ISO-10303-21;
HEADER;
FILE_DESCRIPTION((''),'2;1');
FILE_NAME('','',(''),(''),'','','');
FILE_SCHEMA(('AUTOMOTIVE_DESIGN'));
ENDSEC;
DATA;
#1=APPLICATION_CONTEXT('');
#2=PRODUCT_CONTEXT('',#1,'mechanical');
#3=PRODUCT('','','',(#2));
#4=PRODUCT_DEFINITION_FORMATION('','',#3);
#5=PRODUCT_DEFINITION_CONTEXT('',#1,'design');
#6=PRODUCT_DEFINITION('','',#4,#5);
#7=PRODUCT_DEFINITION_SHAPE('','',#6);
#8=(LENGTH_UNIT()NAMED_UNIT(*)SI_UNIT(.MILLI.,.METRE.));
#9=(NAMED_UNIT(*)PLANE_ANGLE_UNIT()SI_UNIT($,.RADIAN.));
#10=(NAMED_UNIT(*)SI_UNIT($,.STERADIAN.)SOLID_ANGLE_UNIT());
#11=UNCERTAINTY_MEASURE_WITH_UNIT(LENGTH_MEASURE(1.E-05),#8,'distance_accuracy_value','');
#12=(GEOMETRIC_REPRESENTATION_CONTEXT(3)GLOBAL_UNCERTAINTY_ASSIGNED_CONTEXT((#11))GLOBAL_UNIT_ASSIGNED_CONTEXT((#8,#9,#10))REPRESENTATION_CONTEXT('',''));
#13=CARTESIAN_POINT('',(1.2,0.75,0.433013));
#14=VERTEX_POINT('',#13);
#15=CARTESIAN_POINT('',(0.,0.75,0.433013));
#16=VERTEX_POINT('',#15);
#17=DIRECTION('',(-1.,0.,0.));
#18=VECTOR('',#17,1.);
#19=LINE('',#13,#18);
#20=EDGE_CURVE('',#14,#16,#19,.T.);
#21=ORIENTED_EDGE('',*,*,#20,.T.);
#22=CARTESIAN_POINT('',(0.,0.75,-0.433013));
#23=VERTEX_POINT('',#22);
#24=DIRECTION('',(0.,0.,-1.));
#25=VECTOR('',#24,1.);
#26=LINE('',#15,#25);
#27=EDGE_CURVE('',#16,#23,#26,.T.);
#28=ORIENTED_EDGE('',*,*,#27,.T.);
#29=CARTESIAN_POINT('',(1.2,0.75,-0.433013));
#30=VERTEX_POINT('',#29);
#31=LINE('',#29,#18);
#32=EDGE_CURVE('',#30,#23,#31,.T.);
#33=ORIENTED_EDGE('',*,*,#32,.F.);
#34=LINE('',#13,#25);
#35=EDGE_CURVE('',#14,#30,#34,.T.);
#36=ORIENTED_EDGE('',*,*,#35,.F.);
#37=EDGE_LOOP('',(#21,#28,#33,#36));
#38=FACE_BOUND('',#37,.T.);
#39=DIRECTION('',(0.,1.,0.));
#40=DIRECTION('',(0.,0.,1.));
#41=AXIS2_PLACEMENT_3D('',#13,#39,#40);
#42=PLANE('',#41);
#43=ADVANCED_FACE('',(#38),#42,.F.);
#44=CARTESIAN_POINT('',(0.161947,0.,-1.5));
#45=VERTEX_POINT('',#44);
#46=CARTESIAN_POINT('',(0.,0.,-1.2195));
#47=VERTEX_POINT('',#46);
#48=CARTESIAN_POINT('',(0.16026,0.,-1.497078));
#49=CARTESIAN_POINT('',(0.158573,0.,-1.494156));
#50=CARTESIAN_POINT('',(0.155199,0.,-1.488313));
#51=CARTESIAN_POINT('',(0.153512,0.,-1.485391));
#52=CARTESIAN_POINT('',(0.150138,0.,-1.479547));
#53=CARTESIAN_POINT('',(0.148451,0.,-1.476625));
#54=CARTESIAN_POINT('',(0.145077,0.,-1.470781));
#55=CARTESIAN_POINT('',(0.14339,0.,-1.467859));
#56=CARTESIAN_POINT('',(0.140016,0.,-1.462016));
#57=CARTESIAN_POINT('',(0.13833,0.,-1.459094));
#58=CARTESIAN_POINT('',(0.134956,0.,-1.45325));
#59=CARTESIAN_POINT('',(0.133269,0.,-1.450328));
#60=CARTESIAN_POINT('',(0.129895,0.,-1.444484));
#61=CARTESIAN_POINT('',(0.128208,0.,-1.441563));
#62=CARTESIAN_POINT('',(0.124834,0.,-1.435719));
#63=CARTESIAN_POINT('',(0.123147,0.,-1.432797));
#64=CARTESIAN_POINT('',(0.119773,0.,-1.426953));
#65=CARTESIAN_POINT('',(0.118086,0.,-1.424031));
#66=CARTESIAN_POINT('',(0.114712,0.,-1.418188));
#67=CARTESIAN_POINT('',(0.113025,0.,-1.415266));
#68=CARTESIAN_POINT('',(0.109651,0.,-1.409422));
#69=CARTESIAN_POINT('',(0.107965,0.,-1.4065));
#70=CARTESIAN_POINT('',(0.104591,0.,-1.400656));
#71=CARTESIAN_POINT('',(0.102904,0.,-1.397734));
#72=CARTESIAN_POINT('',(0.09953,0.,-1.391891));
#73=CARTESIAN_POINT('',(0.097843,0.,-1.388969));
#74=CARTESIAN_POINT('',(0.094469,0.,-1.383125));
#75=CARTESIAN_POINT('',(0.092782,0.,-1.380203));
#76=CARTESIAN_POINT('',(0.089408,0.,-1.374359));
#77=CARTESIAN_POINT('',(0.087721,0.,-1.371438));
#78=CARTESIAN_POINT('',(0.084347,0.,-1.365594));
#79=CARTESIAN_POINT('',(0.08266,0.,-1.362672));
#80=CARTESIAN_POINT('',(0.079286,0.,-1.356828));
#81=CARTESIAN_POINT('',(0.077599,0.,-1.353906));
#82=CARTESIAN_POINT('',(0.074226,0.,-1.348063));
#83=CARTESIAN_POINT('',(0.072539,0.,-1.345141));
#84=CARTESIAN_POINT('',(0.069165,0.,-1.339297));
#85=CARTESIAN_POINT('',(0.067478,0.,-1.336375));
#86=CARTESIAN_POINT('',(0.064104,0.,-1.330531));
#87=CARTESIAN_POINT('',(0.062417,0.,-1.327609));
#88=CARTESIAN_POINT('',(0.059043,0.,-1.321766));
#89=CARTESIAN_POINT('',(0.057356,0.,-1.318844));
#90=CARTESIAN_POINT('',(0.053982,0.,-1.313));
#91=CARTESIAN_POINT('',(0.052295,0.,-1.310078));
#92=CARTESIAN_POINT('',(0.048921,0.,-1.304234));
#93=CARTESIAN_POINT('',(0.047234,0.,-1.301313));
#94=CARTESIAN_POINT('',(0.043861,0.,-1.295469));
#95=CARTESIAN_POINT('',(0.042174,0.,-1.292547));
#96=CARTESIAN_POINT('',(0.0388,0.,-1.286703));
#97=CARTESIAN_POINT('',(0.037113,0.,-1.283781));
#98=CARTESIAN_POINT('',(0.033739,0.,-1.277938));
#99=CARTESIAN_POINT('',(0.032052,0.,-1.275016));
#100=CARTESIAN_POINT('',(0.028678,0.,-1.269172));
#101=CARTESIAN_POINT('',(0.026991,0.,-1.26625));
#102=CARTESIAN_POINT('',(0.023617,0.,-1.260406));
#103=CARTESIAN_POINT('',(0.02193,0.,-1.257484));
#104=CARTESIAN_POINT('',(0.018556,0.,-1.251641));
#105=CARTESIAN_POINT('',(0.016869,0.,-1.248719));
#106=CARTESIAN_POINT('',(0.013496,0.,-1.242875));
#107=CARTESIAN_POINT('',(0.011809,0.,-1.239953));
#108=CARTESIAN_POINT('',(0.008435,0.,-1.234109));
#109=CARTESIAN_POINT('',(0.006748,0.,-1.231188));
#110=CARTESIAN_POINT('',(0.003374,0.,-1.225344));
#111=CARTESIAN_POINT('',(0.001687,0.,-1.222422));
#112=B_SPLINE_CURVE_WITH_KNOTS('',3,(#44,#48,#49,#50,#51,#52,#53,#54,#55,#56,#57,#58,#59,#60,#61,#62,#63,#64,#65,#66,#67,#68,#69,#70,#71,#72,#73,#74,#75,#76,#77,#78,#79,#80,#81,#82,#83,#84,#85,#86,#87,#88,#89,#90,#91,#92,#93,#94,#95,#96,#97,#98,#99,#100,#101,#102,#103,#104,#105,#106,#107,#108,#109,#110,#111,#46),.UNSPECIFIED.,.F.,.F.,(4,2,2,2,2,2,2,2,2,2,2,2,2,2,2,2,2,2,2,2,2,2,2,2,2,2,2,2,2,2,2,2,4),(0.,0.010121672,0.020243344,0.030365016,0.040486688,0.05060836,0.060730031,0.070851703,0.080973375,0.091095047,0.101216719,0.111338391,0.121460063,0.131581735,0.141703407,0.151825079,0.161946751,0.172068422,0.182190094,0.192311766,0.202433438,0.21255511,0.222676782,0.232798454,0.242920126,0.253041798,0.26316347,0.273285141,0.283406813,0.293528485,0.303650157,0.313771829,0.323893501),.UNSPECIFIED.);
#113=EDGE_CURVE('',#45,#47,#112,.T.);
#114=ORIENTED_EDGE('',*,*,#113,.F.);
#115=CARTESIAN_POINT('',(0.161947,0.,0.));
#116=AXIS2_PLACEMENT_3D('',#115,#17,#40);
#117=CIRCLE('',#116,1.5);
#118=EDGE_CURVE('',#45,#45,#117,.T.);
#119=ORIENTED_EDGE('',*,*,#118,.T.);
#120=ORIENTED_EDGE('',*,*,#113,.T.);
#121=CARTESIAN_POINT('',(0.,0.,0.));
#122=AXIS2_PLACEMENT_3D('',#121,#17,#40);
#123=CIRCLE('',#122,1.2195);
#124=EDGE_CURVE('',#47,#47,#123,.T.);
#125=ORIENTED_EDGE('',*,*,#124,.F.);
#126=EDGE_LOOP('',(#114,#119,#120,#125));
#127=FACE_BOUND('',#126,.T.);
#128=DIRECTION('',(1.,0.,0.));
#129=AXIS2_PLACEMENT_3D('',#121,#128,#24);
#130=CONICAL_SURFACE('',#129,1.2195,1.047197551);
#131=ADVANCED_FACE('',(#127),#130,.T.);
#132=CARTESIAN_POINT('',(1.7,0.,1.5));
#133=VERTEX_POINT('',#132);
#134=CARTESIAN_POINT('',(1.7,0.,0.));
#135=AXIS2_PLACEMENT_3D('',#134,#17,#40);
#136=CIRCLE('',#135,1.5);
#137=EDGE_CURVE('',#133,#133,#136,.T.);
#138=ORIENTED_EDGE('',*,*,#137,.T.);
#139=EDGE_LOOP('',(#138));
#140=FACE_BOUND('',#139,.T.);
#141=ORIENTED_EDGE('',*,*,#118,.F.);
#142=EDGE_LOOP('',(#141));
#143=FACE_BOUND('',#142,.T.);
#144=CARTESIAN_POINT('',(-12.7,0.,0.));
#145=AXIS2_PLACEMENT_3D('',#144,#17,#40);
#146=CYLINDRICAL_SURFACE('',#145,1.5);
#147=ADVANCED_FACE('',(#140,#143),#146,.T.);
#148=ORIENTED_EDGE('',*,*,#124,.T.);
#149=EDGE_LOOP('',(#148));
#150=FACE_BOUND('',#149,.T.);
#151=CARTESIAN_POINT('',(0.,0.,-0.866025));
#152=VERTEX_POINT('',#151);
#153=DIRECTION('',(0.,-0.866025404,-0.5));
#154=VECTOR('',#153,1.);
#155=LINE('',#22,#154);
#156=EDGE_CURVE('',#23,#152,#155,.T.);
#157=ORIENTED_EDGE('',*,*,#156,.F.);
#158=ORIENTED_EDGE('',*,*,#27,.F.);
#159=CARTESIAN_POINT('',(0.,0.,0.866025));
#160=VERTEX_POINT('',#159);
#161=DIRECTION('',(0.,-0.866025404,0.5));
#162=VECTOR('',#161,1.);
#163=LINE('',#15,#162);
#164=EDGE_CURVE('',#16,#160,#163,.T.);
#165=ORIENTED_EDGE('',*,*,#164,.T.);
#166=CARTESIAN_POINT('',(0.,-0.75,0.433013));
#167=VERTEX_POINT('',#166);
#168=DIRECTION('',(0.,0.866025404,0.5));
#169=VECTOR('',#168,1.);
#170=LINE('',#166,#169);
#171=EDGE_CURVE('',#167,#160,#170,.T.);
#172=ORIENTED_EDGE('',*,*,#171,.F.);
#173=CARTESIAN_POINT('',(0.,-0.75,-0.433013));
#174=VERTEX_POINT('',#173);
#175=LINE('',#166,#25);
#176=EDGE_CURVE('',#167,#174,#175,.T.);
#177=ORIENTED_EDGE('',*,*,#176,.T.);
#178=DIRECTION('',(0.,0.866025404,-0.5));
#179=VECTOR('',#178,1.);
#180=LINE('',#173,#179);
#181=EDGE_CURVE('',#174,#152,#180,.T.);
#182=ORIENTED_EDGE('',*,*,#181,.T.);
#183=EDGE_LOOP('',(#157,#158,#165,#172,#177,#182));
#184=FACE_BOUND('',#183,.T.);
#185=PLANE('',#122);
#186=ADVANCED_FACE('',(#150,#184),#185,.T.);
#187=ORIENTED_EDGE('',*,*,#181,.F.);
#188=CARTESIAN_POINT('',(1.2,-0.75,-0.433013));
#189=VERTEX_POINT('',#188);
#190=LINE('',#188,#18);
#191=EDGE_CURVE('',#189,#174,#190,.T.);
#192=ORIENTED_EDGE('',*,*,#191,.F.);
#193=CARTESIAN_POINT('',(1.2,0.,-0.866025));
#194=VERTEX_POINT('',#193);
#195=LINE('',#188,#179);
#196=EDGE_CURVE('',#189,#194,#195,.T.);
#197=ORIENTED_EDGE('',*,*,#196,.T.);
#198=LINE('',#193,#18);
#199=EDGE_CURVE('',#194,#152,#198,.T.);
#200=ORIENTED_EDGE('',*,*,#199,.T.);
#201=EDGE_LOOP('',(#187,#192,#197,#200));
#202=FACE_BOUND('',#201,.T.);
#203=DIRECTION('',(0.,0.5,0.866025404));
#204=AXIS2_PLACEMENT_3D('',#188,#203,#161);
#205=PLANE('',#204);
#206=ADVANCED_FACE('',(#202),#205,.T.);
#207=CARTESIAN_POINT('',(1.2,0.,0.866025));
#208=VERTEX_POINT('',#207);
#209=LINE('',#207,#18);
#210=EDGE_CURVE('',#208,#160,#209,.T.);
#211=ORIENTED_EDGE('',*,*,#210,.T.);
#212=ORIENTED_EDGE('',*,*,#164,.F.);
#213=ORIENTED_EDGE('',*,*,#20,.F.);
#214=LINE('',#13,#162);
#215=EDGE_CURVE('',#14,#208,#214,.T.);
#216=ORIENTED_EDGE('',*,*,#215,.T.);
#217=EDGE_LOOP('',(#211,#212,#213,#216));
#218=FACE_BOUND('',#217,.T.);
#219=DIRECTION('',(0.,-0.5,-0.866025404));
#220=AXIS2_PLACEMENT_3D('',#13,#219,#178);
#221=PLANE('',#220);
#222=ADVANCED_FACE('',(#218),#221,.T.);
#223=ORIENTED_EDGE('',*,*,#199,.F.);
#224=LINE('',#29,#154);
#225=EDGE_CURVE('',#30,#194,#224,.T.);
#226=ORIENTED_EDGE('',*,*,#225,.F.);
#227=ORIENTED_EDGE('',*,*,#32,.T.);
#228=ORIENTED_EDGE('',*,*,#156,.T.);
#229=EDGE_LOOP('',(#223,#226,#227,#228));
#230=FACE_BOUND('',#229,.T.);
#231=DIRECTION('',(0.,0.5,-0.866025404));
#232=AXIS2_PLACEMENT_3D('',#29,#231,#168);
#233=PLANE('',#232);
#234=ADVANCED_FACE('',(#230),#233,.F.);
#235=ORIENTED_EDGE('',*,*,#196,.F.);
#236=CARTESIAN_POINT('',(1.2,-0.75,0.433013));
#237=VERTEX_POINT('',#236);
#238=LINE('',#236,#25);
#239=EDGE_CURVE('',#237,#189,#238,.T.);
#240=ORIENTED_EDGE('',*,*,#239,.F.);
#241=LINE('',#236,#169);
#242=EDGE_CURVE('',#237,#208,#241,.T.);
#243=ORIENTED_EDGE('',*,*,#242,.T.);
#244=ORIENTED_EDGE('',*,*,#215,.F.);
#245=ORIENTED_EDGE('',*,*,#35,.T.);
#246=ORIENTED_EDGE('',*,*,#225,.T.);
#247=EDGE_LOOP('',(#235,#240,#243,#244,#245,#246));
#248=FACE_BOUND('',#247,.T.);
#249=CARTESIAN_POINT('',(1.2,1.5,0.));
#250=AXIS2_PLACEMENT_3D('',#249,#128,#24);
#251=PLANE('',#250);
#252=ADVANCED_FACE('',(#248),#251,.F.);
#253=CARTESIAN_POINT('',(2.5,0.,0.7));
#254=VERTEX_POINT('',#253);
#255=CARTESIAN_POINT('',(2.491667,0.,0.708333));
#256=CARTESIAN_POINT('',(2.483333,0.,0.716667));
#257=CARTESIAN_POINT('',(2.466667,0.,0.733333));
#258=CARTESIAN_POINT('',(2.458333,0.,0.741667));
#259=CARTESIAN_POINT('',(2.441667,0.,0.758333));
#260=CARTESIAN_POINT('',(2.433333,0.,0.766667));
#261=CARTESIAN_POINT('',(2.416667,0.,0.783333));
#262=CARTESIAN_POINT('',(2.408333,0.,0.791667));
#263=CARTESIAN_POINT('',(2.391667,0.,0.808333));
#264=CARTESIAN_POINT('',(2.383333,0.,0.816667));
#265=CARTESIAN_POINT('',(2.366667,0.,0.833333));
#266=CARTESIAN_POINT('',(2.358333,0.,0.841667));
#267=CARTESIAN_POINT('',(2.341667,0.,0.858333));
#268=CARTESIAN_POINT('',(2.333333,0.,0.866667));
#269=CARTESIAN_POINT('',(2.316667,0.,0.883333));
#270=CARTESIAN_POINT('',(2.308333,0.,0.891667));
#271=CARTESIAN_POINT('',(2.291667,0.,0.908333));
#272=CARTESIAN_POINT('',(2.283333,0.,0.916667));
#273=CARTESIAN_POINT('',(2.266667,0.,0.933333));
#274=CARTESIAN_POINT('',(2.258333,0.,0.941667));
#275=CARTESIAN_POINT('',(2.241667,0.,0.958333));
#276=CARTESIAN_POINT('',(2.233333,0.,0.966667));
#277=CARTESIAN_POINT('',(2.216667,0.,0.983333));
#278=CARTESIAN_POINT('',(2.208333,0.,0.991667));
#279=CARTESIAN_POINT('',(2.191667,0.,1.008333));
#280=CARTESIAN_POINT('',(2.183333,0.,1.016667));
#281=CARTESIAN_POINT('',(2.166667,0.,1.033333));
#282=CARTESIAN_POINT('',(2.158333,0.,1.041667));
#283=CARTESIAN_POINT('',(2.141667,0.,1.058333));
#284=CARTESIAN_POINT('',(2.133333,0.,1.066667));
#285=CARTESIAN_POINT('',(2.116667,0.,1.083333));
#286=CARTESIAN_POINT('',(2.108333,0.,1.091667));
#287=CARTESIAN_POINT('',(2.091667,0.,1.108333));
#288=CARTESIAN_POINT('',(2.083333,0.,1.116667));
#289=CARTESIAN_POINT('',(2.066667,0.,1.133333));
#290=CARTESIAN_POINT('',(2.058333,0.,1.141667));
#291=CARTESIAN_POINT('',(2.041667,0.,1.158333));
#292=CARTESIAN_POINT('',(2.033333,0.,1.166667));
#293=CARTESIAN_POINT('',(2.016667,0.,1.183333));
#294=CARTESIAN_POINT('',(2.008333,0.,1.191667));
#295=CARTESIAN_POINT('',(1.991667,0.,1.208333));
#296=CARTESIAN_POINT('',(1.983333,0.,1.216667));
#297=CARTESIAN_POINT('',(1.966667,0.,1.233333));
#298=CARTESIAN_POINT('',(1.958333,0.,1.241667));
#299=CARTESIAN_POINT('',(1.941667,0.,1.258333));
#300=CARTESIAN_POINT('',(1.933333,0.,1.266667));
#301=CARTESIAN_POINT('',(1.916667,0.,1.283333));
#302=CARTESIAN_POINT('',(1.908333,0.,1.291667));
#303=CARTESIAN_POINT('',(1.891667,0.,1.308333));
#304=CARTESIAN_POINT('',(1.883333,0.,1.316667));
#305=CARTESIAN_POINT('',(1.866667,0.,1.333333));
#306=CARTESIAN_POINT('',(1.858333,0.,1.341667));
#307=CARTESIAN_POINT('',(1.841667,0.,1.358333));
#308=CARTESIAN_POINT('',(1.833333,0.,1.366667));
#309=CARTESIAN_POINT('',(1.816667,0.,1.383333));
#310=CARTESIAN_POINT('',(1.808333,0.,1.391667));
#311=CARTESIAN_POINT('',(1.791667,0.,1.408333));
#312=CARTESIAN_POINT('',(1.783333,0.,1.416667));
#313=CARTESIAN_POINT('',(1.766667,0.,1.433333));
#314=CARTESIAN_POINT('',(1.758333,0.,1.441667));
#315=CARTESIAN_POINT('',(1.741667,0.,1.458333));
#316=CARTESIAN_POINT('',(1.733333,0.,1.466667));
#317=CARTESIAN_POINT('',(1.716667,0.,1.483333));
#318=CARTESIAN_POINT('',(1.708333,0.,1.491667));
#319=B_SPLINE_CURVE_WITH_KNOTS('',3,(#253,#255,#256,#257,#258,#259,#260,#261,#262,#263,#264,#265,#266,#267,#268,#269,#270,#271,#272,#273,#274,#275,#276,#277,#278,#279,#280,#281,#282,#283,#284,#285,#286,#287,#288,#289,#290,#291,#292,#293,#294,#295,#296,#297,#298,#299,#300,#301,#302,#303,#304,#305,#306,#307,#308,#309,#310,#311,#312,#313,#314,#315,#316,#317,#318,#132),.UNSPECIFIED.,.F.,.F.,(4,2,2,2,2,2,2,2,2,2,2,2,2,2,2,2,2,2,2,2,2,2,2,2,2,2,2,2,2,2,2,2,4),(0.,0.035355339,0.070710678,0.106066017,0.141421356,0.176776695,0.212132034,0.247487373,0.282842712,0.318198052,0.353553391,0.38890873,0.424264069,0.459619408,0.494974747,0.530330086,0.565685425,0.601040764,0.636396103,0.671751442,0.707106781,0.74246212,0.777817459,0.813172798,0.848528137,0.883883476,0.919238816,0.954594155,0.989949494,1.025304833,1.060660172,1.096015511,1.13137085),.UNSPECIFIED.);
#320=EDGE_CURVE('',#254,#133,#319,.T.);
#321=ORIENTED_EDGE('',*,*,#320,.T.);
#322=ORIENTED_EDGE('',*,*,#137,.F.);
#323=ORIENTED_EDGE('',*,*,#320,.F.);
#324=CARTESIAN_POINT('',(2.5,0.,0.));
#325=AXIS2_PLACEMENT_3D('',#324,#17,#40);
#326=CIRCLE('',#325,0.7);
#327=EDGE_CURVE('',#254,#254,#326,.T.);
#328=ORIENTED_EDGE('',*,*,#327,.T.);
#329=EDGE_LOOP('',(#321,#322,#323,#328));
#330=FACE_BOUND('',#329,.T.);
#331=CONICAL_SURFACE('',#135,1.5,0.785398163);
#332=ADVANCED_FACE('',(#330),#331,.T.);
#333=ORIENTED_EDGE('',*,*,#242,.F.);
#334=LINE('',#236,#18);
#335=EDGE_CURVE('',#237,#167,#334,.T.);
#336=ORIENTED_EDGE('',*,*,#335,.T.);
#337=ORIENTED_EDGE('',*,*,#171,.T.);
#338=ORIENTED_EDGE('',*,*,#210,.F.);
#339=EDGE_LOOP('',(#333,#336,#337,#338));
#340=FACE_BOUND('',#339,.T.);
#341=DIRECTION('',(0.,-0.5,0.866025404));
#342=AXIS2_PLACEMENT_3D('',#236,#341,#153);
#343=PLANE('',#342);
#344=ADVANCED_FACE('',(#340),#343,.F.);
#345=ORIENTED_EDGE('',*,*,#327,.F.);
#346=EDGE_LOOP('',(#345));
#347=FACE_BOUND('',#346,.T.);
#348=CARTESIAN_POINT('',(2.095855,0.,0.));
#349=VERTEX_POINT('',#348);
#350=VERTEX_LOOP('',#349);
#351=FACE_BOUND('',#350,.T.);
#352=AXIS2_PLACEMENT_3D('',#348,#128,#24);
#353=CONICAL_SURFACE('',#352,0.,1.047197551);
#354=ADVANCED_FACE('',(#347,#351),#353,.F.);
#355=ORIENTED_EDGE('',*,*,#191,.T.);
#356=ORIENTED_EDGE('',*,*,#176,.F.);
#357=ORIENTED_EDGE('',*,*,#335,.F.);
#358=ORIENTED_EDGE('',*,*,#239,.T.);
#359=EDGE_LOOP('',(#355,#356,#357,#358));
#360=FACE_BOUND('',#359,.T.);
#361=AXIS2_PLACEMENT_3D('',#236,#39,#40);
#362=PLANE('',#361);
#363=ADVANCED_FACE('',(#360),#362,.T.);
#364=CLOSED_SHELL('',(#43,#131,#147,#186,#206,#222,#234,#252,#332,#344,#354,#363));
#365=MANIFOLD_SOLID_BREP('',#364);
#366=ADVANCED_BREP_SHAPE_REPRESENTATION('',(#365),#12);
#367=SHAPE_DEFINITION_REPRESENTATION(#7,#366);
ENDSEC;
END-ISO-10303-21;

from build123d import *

# Parameters (mm, degrees)
HEX_2_DEPTH = 1.2


with BuildPart() as part:
    # BodySke → BaseBody (revolve)
    with BuildSketch(Plane.XY, mode=Mode.PRIVATE) as basebody_sk:
        Polygon((0, 0), (0, 1.2195), (0.161946751, 1.5), (1.7, 1.5), (2.5, 0.7), (2.095854812, 0), align=None)
    revolve(basebody_sk.sketch.rotate(Axis((-12.7, 0, 0), (1, 0, 0)), 90), axis=Axis((-12.7, 0, 0), (1, 0, 0)))

    # Sketch2 → Hex 2 (cut)
    with BuildSketch(Plane.ZY):
        Polygon((0.433012702, 0.75), (-0.433012702, 0.75), (-0.866025404, 0), (-0.433012702, -0.75), (0.433012702, -0.75), (0.866025404, 0), align=None)
    extrude(amount=-HEX_2_DEPTH, mode=Mode.SUBTRACT)


solid = part.part
